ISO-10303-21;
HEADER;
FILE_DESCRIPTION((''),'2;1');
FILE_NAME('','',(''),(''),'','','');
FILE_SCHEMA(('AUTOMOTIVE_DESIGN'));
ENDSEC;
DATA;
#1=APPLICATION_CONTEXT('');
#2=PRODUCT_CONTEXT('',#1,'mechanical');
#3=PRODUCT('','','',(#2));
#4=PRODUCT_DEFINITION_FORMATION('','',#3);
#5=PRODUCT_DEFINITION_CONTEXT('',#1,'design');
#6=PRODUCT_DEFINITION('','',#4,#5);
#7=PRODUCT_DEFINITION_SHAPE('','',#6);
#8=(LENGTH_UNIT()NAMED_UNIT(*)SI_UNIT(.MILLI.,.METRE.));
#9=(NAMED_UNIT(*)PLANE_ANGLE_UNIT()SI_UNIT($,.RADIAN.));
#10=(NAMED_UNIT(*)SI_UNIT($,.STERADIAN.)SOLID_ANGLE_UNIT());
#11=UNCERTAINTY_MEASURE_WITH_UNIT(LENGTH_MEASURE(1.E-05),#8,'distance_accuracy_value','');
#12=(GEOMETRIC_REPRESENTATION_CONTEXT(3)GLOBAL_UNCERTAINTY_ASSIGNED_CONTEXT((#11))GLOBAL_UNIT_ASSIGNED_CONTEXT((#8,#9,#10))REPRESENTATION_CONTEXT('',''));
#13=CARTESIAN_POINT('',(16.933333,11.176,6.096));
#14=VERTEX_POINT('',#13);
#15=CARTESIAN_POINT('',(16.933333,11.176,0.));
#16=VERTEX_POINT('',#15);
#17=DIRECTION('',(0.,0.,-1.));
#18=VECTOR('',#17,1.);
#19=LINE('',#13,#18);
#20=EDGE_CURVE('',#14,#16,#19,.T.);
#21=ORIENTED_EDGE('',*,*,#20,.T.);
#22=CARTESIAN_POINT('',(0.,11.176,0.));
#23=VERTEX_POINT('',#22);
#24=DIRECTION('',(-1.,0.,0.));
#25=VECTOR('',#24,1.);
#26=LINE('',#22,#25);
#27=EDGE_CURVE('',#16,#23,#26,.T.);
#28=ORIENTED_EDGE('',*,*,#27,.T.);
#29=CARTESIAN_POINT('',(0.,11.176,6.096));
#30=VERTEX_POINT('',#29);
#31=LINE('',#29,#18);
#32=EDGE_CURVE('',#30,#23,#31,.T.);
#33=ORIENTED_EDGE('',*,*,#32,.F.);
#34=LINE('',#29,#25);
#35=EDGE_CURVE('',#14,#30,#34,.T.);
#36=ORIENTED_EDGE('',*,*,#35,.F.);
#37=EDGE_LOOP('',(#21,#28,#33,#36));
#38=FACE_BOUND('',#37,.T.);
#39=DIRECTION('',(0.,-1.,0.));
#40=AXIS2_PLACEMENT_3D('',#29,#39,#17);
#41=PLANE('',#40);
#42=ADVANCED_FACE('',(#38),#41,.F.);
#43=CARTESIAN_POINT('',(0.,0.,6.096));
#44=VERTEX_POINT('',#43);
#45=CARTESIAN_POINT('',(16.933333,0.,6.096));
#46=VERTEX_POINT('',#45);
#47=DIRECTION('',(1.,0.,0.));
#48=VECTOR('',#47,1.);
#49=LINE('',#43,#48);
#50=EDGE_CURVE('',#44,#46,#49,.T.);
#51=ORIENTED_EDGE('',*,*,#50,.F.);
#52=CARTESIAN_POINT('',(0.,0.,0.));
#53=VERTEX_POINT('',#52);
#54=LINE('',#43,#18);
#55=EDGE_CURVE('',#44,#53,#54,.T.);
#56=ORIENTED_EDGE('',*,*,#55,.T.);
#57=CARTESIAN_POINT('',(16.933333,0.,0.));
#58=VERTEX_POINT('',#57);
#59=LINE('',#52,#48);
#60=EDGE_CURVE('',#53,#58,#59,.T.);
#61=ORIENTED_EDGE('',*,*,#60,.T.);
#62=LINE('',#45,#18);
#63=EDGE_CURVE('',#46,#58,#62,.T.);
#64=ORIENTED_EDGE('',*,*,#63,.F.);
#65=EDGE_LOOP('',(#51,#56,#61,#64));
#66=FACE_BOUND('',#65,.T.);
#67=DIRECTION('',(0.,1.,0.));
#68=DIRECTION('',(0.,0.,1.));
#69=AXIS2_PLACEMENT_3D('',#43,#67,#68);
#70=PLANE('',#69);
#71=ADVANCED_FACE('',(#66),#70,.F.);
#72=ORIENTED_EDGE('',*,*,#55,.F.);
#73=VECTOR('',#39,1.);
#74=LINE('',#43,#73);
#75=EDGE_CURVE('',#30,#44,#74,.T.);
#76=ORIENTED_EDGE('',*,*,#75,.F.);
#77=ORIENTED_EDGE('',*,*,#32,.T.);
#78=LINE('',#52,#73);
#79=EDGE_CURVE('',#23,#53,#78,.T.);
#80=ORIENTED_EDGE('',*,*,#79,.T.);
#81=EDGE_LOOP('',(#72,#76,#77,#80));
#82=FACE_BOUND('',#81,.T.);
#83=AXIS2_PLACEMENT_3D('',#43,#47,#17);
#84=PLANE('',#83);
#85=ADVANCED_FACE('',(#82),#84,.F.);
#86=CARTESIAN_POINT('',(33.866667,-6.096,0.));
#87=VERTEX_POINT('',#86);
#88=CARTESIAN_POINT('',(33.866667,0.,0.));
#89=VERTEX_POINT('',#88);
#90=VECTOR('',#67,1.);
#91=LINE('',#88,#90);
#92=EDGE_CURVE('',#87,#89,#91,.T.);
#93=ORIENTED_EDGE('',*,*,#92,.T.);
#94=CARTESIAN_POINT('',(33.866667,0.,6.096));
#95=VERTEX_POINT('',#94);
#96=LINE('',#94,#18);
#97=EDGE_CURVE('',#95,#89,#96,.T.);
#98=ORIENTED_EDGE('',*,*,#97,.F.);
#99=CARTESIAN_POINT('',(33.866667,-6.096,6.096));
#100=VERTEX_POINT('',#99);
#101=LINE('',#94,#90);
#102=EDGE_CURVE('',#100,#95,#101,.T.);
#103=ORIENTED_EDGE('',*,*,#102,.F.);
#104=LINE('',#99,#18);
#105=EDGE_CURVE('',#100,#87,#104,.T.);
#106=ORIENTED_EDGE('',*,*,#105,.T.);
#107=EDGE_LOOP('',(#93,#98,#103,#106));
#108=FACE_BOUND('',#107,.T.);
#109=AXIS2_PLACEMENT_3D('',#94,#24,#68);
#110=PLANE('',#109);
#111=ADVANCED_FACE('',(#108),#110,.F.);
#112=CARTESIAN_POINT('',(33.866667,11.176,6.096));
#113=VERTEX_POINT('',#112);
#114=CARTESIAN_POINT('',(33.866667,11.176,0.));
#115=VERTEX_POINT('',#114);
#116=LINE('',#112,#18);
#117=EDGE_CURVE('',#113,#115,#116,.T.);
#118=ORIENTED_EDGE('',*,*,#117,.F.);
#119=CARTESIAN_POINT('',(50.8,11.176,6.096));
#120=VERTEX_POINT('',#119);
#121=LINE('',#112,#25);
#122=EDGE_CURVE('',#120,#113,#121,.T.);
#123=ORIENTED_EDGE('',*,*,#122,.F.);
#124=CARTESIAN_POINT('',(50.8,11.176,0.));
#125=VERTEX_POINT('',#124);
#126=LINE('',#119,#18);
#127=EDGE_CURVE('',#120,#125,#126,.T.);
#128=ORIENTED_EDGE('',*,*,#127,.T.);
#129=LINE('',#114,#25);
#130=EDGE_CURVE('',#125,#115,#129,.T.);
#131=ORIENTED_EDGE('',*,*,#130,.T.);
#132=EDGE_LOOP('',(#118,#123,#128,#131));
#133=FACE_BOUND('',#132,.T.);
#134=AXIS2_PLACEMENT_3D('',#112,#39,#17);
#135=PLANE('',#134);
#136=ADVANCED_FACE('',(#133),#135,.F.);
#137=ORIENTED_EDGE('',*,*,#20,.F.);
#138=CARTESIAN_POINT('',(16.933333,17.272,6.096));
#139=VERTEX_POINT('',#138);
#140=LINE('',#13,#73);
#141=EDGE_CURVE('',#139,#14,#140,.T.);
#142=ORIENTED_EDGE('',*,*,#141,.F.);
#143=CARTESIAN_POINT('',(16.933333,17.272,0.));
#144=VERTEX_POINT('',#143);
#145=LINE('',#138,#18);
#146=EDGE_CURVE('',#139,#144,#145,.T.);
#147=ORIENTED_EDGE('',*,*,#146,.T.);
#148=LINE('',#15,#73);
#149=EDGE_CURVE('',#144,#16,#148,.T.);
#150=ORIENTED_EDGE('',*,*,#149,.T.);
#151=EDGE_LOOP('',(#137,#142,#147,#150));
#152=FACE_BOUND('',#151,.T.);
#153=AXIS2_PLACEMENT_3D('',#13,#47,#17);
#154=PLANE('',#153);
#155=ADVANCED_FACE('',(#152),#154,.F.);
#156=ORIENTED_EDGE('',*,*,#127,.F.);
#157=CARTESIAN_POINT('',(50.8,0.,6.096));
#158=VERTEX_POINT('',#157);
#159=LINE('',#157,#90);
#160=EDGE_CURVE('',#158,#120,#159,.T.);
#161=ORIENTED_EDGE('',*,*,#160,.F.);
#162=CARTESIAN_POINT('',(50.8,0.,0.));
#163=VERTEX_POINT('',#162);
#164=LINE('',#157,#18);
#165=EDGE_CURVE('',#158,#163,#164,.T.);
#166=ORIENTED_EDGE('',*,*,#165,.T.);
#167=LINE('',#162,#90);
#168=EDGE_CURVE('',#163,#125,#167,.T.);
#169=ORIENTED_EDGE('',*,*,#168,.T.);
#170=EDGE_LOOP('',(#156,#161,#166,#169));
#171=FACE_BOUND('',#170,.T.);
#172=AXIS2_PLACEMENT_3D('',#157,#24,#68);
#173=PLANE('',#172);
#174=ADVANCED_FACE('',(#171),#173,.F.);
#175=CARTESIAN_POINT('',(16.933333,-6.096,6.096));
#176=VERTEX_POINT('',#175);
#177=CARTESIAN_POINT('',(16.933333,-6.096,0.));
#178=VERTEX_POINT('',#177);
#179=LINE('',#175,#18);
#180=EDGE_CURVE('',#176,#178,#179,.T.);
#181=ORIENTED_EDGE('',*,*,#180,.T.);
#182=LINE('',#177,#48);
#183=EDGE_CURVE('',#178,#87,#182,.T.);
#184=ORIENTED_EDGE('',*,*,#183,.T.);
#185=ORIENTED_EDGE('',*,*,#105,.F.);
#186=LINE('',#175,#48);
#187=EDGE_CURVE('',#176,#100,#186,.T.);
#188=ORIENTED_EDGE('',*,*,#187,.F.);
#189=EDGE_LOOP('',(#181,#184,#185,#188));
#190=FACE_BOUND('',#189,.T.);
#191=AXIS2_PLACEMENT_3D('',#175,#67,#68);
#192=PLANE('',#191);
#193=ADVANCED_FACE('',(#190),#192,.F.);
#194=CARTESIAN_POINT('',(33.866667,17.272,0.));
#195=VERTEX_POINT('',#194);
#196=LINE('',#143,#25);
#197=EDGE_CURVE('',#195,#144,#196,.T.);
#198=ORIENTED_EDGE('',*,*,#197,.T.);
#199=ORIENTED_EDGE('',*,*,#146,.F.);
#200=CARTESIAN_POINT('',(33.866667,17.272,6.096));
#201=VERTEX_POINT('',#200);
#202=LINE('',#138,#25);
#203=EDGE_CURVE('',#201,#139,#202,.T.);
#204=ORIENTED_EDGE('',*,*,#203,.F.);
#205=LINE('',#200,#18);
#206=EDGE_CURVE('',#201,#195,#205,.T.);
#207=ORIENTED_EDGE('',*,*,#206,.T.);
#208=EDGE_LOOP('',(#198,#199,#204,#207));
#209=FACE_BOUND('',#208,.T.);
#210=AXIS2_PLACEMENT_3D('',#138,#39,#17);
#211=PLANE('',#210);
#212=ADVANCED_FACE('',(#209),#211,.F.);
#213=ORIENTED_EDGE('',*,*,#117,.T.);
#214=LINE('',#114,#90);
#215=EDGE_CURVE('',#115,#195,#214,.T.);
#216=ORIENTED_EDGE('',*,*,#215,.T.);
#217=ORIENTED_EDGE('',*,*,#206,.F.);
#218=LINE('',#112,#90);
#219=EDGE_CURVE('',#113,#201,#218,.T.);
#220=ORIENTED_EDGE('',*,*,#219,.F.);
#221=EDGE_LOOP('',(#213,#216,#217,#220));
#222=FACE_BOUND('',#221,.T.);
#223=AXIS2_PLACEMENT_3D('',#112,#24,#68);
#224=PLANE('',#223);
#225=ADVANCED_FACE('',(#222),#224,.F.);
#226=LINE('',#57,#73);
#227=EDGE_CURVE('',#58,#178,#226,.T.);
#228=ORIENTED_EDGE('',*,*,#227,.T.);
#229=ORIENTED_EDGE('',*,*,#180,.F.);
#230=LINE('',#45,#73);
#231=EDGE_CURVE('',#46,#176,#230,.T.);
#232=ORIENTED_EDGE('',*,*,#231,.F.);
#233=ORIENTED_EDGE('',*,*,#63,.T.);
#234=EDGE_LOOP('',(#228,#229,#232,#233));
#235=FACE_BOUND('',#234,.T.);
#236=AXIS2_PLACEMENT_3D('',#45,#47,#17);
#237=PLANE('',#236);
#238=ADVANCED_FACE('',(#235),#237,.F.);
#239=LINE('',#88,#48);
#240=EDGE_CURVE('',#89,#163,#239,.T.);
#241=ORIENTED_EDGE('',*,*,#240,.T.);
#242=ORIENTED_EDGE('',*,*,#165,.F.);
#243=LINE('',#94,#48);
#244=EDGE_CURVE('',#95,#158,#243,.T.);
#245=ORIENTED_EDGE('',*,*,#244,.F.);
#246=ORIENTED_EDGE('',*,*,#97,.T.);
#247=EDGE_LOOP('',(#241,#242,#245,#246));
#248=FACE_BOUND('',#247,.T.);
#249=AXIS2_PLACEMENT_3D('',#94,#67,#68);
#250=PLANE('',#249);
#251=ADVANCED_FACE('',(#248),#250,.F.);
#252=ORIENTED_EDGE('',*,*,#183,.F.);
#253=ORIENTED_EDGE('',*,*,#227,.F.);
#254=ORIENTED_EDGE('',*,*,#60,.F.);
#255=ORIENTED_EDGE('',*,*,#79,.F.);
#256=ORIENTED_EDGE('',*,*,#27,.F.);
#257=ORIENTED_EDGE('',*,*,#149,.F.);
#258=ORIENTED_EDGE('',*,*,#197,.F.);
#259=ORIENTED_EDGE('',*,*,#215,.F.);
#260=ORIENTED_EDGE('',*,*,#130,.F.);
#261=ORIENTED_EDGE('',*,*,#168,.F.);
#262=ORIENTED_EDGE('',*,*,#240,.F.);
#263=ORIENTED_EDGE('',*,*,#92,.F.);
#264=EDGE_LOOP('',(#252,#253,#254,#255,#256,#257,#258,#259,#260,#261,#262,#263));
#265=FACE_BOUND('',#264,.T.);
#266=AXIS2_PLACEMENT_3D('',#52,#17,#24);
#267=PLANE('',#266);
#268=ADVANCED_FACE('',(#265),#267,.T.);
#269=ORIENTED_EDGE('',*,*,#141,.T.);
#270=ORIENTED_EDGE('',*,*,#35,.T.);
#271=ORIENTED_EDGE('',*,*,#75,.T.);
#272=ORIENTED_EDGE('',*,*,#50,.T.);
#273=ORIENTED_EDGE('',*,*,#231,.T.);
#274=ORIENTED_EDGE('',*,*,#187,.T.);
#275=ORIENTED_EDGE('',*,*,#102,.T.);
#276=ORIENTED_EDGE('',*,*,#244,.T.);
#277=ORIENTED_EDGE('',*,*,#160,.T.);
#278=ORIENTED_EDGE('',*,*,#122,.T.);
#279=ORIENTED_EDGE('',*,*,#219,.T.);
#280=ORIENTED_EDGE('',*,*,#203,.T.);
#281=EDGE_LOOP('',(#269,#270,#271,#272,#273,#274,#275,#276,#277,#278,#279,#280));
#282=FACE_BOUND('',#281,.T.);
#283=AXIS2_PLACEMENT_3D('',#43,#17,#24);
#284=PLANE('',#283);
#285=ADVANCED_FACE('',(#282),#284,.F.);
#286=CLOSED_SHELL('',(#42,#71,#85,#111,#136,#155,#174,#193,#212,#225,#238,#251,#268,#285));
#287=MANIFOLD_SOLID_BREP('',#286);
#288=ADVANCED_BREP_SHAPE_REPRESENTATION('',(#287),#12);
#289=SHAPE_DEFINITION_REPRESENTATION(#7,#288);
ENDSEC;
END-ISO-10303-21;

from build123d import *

# Parameters (mm, degrees)
BOSS_EXTRUDE1_DEPTH = 6.096


with BuildPart() as part:
    # Sketch1 → Boss-Extrude1 (new body)
    with BuildSketch(Plane.XY):
        Polygon((33.866666667, 11.176), (50.8, 11.176), (50.8, 0), (33.866666667, 0), (33.866666667, -6.096), (16.933333333, -6.096), (16.933333333, 0), (0, 0), (0, 11.176), (16.933333333, 11.176), (16.933333333, 17.272), (33.866666667, 17.272), align=None)
    extrude(amount=BOSS_EXTRUDE1_DEPTH)


solid = part.part
